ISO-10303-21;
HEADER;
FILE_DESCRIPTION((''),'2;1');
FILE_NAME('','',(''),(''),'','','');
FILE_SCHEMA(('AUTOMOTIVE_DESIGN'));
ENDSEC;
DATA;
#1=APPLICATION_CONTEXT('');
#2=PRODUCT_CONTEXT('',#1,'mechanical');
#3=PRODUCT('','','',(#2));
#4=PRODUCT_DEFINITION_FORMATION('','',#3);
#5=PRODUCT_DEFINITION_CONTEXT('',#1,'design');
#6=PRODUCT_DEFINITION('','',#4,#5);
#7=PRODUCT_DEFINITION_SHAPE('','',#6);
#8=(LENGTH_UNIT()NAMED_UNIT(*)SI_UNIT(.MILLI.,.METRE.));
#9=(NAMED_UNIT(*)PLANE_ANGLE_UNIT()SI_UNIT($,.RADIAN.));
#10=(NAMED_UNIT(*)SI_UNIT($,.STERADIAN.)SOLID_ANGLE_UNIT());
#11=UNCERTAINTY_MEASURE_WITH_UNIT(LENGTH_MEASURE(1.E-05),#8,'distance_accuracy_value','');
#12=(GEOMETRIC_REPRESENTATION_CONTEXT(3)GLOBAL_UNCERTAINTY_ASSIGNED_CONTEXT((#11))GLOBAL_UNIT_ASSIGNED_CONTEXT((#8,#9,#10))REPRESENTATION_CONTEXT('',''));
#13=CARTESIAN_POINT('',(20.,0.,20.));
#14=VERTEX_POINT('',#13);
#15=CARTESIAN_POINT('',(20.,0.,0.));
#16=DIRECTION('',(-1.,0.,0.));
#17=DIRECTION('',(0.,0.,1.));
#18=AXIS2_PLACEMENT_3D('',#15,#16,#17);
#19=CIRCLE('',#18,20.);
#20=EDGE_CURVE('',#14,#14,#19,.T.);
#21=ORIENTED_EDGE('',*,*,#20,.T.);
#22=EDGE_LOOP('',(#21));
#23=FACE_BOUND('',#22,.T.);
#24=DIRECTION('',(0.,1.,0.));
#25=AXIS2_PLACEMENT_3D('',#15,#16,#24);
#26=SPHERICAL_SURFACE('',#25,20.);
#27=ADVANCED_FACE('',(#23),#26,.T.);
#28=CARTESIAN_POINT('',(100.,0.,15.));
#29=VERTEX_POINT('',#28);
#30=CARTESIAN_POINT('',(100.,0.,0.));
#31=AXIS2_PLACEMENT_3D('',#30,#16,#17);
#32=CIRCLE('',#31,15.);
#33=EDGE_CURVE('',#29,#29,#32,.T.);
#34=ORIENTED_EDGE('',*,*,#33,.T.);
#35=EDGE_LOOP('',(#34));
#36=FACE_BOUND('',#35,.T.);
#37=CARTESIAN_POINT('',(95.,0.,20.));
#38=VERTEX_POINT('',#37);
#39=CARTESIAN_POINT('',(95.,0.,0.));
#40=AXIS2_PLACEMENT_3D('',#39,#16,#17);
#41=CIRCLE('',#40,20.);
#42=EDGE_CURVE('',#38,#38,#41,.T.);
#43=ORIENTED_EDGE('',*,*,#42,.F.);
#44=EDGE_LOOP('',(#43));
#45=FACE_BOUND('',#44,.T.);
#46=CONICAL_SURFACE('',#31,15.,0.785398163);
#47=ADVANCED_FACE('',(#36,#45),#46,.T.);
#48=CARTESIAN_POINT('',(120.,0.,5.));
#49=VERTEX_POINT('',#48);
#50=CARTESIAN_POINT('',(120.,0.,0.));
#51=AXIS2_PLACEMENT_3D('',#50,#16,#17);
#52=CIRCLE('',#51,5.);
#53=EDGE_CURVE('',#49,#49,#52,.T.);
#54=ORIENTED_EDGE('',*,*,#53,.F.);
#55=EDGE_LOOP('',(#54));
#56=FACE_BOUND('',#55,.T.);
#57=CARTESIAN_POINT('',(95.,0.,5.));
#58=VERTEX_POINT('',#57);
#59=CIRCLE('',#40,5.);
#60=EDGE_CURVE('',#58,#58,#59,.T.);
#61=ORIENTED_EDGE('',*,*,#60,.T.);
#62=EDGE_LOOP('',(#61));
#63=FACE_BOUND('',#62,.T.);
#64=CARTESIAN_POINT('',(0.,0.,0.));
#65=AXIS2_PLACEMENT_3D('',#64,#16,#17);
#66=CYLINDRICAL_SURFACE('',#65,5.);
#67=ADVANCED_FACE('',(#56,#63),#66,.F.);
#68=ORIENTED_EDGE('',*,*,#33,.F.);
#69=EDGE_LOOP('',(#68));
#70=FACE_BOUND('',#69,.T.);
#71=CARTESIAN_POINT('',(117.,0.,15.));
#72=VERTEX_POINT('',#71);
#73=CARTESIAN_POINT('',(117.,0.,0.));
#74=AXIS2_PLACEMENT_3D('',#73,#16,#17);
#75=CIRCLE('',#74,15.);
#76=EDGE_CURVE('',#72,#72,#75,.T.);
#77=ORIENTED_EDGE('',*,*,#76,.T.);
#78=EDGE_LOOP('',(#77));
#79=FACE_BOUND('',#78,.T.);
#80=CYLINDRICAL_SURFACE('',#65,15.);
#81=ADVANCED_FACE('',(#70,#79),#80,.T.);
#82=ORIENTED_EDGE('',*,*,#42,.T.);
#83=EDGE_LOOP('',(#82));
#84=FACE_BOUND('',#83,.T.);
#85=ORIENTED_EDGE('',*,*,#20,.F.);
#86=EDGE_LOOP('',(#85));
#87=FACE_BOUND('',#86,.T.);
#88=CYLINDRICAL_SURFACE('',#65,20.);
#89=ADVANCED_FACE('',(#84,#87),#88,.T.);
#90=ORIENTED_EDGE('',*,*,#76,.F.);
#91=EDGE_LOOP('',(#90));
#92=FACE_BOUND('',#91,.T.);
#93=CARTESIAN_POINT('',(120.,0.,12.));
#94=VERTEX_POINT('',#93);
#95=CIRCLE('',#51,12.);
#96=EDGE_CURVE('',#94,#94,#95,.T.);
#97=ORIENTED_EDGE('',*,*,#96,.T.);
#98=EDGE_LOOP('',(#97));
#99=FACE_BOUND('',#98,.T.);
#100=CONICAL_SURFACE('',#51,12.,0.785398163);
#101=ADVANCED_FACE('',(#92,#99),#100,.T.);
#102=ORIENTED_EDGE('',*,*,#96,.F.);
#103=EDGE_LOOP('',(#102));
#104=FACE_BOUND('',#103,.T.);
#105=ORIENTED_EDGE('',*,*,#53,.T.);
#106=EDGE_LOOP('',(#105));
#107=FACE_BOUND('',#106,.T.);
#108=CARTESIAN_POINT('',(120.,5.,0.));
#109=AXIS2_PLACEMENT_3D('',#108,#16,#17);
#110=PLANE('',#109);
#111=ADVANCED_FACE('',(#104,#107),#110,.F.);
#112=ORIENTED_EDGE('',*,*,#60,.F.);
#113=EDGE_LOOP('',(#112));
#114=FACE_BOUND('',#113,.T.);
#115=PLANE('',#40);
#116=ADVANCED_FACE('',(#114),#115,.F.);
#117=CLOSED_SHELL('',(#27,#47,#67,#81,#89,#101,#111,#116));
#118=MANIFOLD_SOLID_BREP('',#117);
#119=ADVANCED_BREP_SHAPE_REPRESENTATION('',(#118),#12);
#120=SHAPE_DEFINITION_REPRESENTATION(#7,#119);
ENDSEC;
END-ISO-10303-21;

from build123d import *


with BuildPart() as part:
    # Sketch1 → Revolve1 (revolve)
    with BuildSketch(Plane.XY, mode=Mode.PRIVATE) as revolve1_sk:
        with BuildLine():
            Line((0, 0), (95, 0))
            Line((95, 0), (95, 5))
            Line((95, 5), (120, 5))
            Line((120, 5), (120, 12))
            Line((120, 12), (117, 15))
            Line((117, 15), (100, 15))
            Line((100, 15), (95, 20))
            Line((95, 20), (20, 20))
            ThreePointArc((20, 20), (5.857864376, 14.142135624), (0, 0))
        make_face()
    revolve(revolve1_sk.sketch.rotate(Axis((0, 0, 0), (1, 0, 0)), 90), axis=Axis((0, 0, 0), (1, 0, 0)))


solid = part.part
